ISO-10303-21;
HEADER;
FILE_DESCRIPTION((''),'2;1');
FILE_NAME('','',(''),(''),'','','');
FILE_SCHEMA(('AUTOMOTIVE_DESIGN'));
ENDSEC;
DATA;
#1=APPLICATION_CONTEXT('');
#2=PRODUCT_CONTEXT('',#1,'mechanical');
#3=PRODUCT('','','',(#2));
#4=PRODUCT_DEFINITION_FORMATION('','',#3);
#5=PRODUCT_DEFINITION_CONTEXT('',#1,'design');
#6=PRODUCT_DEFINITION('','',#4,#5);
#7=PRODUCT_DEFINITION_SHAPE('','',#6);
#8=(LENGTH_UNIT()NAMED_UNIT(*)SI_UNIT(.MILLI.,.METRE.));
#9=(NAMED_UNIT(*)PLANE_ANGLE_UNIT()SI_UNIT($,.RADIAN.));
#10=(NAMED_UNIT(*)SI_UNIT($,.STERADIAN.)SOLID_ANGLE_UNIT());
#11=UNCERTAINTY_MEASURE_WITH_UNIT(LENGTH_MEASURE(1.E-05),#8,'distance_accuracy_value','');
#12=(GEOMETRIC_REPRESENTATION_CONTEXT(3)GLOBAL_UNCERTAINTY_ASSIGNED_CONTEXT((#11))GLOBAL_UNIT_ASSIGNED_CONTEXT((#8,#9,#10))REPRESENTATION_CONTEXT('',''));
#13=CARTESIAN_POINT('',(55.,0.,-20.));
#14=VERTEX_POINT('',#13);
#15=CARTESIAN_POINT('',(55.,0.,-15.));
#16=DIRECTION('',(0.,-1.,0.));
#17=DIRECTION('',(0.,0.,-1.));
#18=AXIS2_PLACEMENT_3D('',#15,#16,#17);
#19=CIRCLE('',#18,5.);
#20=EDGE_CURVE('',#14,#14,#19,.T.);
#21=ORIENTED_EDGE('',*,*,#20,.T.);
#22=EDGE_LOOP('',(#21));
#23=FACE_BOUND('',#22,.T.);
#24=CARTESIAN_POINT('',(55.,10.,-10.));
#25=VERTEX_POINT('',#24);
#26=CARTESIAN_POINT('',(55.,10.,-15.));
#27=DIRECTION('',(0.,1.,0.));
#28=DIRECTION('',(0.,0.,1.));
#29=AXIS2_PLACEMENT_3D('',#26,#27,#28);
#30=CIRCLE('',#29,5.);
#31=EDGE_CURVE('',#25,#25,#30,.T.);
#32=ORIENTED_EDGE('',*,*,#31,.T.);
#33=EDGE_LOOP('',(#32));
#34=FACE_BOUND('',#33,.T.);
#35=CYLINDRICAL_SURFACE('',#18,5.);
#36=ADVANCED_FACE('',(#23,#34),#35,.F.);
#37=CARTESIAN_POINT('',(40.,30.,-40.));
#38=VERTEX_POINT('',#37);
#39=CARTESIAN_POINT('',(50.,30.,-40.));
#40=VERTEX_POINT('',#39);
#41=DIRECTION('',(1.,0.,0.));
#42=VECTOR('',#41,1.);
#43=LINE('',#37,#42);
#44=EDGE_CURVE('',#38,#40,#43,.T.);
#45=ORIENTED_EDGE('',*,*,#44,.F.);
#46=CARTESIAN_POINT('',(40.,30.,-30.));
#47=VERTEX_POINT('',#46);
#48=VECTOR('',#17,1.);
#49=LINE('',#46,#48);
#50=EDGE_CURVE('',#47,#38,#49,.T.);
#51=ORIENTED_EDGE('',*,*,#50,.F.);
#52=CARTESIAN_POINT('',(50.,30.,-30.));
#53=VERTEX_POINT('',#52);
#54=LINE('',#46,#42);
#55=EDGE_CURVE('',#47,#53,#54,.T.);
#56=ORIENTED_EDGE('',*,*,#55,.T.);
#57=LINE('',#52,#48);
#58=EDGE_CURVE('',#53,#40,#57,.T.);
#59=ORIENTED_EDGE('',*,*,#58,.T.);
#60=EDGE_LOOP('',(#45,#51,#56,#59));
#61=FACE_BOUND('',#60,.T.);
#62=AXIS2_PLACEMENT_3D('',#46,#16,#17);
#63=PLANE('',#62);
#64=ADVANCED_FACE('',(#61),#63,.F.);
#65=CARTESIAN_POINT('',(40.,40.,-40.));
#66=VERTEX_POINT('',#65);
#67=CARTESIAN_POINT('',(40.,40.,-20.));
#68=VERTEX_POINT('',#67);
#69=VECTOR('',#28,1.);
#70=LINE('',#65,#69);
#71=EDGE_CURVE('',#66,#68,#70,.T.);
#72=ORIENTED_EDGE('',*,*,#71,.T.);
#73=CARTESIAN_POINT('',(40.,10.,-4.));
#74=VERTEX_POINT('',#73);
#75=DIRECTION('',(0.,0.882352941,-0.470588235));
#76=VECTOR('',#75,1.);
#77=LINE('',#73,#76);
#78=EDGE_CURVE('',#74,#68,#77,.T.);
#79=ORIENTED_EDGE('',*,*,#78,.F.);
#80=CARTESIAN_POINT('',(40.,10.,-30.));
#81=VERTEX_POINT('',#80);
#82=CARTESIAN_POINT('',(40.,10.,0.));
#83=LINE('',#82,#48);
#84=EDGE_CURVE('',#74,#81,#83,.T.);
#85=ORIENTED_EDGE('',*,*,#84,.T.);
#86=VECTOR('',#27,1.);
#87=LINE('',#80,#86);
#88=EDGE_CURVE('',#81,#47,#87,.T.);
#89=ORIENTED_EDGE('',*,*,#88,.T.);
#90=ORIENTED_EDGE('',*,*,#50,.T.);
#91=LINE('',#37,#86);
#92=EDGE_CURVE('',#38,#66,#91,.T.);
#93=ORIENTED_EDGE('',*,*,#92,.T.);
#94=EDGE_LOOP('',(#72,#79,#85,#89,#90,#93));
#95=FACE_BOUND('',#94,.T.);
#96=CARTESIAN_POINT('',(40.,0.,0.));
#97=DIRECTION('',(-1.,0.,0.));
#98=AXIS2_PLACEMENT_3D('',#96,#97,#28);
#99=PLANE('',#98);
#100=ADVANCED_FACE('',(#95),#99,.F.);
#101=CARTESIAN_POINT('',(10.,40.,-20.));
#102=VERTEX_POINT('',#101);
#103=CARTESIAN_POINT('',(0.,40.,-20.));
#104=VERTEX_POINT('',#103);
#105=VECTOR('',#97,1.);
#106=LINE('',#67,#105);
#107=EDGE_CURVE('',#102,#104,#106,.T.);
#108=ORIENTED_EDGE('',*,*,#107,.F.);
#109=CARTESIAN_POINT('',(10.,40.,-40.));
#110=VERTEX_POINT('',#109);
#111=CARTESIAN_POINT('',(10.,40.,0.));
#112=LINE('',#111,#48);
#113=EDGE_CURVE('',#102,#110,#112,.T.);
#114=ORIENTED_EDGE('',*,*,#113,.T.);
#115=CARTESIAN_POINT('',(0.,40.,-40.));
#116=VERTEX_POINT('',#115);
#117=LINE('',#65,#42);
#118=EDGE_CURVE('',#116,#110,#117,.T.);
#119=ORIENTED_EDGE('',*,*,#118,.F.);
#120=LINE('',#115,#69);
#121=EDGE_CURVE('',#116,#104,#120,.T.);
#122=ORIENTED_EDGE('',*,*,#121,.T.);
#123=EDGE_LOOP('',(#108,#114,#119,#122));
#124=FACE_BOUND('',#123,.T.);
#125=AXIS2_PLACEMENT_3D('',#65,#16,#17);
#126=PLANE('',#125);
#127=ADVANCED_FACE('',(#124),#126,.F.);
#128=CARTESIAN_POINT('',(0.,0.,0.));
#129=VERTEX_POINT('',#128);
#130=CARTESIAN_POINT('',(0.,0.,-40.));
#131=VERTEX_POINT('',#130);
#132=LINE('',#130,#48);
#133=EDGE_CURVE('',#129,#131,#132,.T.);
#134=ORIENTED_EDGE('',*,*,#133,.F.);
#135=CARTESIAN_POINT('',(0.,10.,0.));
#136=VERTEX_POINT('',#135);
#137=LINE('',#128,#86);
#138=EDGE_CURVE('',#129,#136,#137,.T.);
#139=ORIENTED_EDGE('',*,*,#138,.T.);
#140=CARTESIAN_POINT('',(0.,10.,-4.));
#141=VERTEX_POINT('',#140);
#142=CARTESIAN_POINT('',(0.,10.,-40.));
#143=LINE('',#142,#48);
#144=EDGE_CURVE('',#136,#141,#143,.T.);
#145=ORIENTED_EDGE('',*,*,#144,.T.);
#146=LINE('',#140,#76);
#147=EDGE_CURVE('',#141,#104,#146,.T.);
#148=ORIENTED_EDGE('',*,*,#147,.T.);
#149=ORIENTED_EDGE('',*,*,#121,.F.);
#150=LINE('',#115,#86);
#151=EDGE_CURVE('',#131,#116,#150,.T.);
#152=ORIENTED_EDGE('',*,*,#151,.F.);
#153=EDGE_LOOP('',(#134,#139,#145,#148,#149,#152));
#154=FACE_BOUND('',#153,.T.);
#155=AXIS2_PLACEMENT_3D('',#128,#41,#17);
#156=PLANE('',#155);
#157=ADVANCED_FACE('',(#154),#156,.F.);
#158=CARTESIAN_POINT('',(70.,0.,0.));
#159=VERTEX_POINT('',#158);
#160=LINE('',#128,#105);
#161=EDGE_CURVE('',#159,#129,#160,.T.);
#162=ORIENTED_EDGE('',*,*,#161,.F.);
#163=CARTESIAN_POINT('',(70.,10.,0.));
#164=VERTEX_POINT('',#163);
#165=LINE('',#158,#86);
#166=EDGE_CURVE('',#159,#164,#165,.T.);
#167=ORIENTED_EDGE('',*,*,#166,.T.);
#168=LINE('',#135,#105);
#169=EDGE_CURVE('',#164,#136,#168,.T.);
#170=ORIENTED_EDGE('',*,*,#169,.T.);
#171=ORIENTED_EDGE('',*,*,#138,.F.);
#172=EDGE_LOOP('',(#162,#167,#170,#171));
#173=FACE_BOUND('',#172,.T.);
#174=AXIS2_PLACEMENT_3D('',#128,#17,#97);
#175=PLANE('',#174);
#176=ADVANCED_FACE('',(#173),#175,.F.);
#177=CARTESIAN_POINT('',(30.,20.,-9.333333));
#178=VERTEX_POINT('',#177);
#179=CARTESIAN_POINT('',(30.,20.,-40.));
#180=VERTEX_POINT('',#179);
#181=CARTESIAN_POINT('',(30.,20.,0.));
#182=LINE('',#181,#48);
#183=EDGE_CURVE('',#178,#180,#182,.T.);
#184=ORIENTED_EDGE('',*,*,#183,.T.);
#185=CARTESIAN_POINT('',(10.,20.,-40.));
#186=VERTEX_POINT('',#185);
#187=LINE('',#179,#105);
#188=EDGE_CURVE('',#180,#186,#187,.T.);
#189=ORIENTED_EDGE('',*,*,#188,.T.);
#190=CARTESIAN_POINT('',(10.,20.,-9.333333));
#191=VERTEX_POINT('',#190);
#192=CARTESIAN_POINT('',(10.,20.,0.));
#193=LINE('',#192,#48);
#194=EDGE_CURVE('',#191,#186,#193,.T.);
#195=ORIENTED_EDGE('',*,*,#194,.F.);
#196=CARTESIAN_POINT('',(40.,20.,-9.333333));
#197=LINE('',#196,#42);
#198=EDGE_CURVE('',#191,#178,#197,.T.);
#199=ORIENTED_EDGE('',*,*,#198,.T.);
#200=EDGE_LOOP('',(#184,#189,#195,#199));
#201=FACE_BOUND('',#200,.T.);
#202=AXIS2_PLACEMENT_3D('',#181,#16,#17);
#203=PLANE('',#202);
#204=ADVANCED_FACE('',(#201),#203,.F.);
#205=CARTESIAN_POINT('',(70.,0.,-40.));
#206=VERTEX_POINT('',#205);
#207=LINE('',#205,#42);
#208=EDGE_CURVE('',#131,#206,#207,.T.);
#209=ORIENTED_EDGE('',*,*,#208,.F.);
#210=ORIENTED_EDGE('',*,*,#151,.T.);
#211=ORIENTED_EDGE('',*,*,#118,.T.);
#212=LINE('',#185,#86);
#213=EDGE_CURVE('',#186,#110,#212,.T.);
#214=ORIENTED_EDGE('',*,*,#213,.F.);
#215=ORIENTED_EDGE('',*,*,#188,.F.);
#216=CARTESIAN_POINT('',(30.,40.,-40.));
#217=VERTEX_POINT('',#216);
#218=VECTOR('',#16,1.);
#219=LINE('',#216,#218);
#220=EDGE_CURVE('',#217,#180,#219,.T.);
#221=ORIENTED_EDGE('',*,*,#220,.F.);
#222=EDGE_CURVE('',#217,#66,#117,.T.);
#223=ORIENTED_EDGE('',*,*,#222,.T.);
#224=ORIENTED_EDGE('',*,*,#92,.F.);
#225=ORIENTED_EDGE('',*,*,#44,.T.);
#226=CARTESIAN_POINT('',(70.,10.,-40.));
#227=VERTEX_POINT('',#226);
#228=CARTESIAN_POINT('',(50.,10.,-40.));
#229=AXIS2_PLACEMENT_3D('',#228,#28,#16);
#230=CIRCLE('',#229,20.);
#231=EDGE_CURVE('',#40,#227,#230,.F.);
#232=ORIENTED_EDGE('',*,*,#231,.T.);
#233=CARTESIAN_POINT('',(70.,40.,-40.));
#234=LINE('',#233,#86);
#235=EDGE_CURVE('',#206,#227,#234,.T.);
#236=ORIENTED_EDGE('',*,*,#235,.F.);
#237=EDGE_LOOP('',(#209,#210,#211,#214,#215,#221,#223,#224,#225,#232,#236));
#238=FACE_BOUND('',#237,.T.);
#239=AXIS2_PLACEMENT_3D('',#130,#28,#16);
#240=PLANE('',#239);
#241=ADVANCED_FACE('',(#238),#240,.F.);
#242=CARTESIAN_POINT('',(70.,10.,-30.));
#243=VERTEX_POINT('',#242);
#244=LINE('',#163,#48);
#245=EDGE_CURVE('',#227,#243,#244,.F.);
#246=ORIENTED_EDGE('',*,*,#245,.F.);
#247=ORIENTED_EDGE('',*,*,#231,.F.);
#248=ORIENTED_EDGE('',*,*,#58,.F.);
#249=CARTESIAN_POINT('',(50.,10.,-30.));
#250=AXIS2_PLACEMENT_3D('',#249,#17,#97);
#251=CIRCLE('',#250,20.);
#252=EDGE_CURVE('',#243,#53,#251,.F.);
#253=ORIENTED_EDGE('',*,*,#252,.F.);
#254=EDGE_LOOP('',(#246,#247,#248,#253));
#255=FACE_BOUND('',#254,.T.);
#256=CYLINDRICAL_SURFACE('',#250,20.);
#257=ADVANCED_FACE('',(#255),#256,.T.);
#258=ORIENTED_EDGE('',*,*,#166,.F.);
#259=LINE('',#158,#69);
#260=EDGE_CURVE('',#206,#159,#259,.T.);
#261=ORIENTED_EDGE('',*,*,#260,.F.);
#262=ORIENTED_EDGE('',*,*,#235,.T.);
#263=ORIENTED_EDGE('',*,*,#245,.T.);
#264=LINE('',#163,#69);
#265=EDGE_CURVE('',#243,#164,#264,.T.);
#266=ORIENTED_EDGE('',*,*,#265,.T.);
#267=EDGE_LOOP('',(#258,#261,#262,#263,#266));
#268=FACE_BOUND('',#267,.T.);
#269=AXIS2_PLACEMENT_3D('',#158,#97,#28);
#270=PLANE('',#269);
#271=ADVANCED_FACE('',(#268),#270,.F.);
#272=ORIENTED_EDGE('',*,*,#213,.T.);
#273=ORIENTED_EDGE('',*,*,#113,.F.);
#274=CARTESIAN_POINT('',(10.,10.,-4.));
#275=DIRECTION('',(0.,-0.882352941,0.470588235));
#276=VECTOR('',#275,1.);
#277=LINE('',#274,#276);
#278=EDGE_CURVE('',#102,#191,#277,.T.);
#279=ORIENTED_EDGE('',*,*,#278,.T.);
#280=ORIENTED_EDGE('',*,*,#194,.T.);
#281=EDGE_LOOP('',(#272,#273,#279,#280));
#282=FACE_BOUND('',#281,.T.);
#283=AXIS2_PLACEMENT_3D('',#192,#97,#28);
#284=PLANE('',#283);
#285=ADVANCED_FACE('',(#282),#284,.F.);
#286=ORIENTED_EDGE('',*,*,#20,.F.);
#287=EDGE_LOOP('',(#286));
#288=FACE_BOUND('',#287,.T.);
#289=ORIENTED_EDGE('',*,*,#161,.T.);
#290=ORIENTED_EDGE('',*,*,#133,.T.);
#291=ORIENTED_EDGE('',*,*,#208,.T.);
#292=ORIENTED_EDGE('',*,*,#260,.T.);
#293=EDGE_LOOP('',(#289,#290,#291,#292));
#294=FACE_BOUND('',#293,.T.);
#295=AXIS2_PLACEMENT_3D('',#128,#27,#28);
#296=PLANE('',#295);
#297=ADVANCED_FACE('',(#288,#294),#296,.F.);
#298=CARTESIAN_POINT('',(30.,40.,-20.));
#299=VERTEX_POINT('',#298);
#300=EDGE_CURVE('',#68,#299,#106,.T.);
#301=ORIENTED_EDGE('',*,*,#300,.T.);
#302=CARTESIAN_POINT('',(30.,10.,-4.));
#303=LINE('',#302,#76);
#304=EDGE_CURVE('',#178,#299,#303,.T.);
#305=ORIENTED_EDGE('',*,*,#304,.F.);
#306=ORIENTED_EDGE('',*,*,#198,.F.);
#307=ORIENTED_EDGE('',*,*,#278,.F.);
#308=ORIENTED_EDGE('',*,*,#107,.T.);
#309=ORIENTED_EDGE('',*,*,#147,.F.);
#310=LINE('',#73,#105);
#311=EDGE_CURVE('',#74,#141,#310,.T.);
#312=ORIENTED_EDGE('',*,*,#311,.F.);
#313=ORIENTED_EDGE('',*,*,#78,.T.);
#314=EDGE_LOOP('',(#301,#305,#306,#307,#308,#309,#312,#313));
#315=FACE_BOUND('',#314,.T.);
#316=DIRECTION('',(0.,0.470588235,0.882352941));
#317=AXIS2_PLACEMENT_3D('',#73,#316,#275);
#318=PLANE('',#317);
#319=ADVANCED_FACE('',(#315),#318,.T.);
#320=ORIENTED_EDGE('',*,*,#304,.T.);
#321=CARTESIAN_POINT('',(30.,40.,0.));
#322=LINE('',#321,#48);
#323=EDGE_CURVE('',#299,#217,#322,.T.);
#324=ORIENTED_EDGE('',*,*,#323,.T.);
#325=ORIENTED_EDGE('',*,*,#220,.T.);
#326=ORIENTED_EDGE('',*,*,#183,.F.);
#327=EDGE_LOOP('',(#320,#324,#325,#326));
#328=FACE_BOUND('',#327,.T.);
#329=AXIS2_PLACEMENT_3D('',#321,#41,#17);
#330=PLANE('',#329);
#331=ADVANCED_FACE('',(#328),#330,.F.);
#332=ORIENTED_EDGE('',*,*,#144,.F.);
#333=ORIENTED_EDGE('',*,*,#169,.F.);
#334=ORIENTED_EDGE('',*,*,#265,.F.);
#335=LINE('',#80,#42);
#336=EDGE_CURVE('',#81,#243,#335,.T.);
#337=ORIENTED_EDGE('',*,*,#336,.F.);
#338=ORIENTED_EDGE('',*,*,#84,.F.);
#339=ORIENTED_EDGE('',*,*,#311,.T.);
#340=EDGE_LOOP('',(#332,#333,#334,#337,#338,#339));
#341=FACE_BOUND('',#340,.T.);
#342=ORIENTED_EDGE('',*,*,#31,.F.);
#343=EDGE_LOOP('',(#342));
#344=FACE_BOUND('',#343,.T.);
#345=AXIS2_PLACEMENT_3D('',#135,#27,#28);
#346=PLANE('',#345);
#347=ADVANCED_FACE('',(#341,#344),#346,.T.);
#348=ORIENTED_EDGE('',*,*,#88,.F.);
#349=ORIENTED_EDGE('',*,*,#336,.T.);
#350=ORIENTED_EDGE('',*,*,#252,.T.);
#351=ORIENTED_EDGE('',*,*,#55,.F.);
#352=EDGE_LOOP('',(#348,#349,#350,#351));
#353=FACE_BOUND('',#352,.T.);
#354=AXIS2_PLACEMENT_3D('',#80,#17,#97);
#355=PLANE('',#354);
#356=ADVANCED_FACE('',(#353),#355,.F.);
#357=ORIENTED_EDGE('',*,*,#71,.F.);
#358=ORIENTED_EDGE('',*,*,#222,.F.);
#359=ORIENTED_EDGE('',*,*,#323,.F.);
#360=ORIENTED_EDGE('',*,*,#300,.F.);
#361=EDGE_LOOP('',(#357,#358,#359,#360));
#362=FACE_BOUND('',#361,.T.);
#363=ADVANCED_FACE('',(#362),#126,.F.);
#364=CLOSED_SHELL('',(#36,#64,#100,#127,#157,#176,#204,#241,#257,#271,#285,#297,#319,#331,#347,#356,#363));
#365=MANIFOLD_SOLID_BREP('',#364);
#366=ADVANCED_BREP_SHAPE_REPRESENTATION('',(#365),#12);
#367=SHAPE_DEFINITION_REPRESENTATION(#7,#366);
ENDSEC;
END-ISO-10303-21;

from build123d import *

# Parameters (mm, degrees)
BOSS_EXTRUDE1_DEPTH            = 40
SKETCH2_W                      = 40
SKETCH2_H                      = 30
BOSS_EXTRUDE2_DEPTH            = 20
BOSS_EXTRUDE3_DEPTH            = 30
CUT_EXTRUDE1_DEPTH             = 30
SKETCH5_W                      = 70
SKETCH5_H                      = 40
BOSS_EXTRUDE4_DEPTH            = 10
SKETCH6_W                      = 20
SKETCH6_H                      = 20
CUT_EXTRUDE2_DEPTH             = 41
F_10_0_10_DIAMETER_HOLE1_D     = 10
F_10_0_10_DIAMETER_HOLE1_DEPTH = 40
FILLET1_R                      = 20


with BuildPart() as part:
    # Sketch1 → Boss-Extrude1 (new body)
    with BuildSketch(Plane(origin=(0, 0, 0), x_dir=(0, -1, 0), z_dir=(-1, 0, 0))):
        Polygon((-10, -4), (-40, -20), (-10, -20), align=None)
    extrude(amount=-BOSS_EXTRUDE1_DEPTH)

    # Sketch2 → Boss-Extrude2 (add)
    with BuildSketch(Plane(origin=(0, 0, -20), x_dir=(-1, 0, 0), z_dir=(0, 0, -1))):
        with Locations((-20, 25)):
            Rectangle(SKETCH2_W, SKETCH2_H)
    extrude(amount=BOSS_EXTRUDE2_DEPTH)

    # Sketch3 → Boss-Extrude3 (add)
    with BuildSketch(Plane(origin=(40, 0, 0), x_dir=(0, 0, -1), z_dir=(1, 0, 0))):
        Polygon((40, 10), (0, 10), (20, 40), (40, 40), align=None)
    extrude(amount=BOSS_EXTRUDE3_DEPTH)

    # Sketch4 → Cut-Extrude1 (cut)
    with BuildSketch(Plane(origin=(70, 0, 0), x_dir=(0, 0, -1), z_dir=(1, 0, 0))):
        Polygon((20, 40), (0, 10), (30, 10), (30, 30), (40, 30), (40, 40), align=None)
    extrude(amount=-CUT_EXTRUDE1_DEPTH, mode=Mode.SUBTRACT)

    # Sketch5 → Boss-Extrude4 (add)
    with BuildSketch(Plane.XZ.offset(-10)):
        with Locations((35, -20)):
            Rectangle(SKETCH5_W, SKETCH5_H)
    extrude(amount=BOSS_EXTRUDE4_DEPTH)

    # Sketch6 → Cut-Extrude2 (cut, through all)
    with BuildSketch(Plane(origin=(0, 0, -40), x_dir=(-1, 0, 0), z_dir=(0, 0, -1))):
        with Locations((-20, 30)):
            Rectangle(SKETCH6_W, SKETCH6_H)
    extrude(amount=-CUT_EXTRUDE2_DEPTH, mode=Mode.SUBTRACT)

    # Ø10.0 (10) Diameter Hole1
    with Locations(Plane(origin=(0, 0, 0), x_dir=(-1, 0, 0), z_dir=(0, -1, 0))):
        with Locations((-55, 15)):
            Hole(F_10_0_10_DIAMETER_HOLE1_D / 2, depth=F_10_0_10_DIAMETER_HOLE1_DEPTH)

    # Fillet1
    fillet1_edges = [part.edges().sort_by_distance(p)[0] for p in [
        (70, 30, -35),
    ]]
    fillet(fillet1_edges, radius=FILLET1_R)


solid = part.part
